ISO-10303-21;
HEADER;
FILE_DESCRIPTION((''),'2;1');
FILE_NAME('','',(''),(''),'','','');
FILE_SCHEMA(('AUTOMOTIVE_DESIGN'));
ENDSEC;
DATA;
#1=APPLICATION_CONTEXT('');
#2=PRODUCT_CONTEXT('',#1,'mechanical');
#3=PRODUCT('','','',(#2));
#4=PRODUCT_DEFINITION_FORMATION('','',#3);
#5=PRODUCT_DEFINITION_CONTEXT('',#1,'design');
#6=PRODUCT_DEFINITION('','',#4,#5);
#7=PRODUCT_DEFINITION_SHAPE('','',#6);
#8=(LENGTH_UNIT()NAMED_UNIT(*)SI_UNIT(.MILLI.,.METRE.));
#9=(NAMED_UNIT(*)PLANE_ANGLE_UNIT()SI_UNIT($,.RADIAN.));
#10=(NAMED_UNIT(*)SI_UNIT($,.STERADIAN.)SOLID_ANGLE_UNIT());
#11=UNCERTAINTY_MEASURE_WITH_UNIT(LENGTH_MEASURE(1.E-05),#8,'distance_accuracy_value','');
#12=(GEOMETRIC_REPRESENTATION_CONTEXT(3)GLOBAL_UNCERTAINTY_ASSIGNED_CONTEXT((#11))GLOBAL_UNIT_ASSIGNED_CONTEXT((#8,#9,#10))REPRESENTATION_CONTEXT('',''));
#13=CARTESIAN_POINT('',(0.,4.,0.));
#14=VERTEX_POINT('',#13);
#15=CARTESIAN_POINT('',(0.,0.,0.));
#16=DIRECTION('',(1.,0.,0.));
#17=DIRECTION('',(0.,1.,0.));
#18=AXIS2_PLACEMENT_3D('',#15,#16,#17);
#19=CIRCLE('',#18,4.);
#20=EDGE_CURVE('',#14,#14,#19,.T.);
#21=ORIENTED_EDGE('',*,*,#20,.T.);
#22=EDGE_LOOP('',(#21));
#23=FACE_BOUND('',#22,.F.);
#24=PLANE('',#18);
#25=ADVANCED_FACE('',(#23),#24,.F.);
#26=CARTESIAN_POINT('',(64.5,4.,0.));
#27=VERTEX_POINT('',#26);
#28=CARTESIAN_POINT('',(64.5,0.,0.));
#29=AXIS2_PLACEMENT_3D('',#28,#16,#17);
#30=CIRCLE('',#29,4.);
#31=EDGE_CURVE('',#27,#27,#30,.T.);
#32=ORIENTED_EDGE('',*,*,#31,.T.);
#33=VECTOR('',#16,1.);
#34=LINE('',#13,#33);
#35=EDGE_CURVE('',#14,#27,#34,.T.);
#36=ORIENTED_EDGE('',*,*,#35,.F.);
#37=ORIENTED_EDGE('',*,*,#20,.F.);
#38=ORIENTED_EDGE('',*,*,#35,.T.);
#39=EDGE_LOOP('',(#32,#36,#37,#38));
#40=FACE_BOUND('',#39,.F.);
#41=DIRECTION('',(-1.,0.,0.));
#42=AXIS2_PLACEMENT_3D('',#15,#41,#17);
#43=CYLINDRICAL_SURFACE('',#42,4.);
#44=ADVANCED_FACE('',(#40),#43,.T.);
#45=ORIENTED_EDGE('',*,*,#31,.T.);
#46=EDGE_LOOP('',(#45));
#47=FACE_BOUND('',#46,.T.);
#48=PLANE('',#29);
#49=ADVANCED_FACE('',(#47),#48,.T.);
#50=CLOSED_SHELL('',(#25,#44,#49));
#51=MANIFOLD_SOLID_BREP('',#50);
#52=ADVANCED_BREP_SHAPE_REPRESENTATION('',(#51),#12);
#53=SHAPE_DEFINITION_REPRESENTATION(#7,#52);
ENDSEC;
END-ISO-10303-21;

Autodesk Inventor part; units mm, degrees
ref_plane "YZ Plane" through (0, 0, 0) normal (1, 0, 0) x (0, 1, 0)
ref_plane "XZ Plane" through (0, 0, 0) normal (0, 1, 0) x (-1, 0, 0)
ref_plane "XY Plane" through (0, 0, 0) normal (0, 0, 1) x (1, 0, 0)
sketch "スケッチ1" plane through (0, 0, 0) normal (1, 0, 0) x (0, 1, 0)
  circle A0 centre (0, 0) radius 4
  dimension "d0" = 8
extrude "押し出し1" add sketch "スケッチ1" along normal blind 64.5
properties part number "RZvector-v1-Shaft-P-Shaft-4"
